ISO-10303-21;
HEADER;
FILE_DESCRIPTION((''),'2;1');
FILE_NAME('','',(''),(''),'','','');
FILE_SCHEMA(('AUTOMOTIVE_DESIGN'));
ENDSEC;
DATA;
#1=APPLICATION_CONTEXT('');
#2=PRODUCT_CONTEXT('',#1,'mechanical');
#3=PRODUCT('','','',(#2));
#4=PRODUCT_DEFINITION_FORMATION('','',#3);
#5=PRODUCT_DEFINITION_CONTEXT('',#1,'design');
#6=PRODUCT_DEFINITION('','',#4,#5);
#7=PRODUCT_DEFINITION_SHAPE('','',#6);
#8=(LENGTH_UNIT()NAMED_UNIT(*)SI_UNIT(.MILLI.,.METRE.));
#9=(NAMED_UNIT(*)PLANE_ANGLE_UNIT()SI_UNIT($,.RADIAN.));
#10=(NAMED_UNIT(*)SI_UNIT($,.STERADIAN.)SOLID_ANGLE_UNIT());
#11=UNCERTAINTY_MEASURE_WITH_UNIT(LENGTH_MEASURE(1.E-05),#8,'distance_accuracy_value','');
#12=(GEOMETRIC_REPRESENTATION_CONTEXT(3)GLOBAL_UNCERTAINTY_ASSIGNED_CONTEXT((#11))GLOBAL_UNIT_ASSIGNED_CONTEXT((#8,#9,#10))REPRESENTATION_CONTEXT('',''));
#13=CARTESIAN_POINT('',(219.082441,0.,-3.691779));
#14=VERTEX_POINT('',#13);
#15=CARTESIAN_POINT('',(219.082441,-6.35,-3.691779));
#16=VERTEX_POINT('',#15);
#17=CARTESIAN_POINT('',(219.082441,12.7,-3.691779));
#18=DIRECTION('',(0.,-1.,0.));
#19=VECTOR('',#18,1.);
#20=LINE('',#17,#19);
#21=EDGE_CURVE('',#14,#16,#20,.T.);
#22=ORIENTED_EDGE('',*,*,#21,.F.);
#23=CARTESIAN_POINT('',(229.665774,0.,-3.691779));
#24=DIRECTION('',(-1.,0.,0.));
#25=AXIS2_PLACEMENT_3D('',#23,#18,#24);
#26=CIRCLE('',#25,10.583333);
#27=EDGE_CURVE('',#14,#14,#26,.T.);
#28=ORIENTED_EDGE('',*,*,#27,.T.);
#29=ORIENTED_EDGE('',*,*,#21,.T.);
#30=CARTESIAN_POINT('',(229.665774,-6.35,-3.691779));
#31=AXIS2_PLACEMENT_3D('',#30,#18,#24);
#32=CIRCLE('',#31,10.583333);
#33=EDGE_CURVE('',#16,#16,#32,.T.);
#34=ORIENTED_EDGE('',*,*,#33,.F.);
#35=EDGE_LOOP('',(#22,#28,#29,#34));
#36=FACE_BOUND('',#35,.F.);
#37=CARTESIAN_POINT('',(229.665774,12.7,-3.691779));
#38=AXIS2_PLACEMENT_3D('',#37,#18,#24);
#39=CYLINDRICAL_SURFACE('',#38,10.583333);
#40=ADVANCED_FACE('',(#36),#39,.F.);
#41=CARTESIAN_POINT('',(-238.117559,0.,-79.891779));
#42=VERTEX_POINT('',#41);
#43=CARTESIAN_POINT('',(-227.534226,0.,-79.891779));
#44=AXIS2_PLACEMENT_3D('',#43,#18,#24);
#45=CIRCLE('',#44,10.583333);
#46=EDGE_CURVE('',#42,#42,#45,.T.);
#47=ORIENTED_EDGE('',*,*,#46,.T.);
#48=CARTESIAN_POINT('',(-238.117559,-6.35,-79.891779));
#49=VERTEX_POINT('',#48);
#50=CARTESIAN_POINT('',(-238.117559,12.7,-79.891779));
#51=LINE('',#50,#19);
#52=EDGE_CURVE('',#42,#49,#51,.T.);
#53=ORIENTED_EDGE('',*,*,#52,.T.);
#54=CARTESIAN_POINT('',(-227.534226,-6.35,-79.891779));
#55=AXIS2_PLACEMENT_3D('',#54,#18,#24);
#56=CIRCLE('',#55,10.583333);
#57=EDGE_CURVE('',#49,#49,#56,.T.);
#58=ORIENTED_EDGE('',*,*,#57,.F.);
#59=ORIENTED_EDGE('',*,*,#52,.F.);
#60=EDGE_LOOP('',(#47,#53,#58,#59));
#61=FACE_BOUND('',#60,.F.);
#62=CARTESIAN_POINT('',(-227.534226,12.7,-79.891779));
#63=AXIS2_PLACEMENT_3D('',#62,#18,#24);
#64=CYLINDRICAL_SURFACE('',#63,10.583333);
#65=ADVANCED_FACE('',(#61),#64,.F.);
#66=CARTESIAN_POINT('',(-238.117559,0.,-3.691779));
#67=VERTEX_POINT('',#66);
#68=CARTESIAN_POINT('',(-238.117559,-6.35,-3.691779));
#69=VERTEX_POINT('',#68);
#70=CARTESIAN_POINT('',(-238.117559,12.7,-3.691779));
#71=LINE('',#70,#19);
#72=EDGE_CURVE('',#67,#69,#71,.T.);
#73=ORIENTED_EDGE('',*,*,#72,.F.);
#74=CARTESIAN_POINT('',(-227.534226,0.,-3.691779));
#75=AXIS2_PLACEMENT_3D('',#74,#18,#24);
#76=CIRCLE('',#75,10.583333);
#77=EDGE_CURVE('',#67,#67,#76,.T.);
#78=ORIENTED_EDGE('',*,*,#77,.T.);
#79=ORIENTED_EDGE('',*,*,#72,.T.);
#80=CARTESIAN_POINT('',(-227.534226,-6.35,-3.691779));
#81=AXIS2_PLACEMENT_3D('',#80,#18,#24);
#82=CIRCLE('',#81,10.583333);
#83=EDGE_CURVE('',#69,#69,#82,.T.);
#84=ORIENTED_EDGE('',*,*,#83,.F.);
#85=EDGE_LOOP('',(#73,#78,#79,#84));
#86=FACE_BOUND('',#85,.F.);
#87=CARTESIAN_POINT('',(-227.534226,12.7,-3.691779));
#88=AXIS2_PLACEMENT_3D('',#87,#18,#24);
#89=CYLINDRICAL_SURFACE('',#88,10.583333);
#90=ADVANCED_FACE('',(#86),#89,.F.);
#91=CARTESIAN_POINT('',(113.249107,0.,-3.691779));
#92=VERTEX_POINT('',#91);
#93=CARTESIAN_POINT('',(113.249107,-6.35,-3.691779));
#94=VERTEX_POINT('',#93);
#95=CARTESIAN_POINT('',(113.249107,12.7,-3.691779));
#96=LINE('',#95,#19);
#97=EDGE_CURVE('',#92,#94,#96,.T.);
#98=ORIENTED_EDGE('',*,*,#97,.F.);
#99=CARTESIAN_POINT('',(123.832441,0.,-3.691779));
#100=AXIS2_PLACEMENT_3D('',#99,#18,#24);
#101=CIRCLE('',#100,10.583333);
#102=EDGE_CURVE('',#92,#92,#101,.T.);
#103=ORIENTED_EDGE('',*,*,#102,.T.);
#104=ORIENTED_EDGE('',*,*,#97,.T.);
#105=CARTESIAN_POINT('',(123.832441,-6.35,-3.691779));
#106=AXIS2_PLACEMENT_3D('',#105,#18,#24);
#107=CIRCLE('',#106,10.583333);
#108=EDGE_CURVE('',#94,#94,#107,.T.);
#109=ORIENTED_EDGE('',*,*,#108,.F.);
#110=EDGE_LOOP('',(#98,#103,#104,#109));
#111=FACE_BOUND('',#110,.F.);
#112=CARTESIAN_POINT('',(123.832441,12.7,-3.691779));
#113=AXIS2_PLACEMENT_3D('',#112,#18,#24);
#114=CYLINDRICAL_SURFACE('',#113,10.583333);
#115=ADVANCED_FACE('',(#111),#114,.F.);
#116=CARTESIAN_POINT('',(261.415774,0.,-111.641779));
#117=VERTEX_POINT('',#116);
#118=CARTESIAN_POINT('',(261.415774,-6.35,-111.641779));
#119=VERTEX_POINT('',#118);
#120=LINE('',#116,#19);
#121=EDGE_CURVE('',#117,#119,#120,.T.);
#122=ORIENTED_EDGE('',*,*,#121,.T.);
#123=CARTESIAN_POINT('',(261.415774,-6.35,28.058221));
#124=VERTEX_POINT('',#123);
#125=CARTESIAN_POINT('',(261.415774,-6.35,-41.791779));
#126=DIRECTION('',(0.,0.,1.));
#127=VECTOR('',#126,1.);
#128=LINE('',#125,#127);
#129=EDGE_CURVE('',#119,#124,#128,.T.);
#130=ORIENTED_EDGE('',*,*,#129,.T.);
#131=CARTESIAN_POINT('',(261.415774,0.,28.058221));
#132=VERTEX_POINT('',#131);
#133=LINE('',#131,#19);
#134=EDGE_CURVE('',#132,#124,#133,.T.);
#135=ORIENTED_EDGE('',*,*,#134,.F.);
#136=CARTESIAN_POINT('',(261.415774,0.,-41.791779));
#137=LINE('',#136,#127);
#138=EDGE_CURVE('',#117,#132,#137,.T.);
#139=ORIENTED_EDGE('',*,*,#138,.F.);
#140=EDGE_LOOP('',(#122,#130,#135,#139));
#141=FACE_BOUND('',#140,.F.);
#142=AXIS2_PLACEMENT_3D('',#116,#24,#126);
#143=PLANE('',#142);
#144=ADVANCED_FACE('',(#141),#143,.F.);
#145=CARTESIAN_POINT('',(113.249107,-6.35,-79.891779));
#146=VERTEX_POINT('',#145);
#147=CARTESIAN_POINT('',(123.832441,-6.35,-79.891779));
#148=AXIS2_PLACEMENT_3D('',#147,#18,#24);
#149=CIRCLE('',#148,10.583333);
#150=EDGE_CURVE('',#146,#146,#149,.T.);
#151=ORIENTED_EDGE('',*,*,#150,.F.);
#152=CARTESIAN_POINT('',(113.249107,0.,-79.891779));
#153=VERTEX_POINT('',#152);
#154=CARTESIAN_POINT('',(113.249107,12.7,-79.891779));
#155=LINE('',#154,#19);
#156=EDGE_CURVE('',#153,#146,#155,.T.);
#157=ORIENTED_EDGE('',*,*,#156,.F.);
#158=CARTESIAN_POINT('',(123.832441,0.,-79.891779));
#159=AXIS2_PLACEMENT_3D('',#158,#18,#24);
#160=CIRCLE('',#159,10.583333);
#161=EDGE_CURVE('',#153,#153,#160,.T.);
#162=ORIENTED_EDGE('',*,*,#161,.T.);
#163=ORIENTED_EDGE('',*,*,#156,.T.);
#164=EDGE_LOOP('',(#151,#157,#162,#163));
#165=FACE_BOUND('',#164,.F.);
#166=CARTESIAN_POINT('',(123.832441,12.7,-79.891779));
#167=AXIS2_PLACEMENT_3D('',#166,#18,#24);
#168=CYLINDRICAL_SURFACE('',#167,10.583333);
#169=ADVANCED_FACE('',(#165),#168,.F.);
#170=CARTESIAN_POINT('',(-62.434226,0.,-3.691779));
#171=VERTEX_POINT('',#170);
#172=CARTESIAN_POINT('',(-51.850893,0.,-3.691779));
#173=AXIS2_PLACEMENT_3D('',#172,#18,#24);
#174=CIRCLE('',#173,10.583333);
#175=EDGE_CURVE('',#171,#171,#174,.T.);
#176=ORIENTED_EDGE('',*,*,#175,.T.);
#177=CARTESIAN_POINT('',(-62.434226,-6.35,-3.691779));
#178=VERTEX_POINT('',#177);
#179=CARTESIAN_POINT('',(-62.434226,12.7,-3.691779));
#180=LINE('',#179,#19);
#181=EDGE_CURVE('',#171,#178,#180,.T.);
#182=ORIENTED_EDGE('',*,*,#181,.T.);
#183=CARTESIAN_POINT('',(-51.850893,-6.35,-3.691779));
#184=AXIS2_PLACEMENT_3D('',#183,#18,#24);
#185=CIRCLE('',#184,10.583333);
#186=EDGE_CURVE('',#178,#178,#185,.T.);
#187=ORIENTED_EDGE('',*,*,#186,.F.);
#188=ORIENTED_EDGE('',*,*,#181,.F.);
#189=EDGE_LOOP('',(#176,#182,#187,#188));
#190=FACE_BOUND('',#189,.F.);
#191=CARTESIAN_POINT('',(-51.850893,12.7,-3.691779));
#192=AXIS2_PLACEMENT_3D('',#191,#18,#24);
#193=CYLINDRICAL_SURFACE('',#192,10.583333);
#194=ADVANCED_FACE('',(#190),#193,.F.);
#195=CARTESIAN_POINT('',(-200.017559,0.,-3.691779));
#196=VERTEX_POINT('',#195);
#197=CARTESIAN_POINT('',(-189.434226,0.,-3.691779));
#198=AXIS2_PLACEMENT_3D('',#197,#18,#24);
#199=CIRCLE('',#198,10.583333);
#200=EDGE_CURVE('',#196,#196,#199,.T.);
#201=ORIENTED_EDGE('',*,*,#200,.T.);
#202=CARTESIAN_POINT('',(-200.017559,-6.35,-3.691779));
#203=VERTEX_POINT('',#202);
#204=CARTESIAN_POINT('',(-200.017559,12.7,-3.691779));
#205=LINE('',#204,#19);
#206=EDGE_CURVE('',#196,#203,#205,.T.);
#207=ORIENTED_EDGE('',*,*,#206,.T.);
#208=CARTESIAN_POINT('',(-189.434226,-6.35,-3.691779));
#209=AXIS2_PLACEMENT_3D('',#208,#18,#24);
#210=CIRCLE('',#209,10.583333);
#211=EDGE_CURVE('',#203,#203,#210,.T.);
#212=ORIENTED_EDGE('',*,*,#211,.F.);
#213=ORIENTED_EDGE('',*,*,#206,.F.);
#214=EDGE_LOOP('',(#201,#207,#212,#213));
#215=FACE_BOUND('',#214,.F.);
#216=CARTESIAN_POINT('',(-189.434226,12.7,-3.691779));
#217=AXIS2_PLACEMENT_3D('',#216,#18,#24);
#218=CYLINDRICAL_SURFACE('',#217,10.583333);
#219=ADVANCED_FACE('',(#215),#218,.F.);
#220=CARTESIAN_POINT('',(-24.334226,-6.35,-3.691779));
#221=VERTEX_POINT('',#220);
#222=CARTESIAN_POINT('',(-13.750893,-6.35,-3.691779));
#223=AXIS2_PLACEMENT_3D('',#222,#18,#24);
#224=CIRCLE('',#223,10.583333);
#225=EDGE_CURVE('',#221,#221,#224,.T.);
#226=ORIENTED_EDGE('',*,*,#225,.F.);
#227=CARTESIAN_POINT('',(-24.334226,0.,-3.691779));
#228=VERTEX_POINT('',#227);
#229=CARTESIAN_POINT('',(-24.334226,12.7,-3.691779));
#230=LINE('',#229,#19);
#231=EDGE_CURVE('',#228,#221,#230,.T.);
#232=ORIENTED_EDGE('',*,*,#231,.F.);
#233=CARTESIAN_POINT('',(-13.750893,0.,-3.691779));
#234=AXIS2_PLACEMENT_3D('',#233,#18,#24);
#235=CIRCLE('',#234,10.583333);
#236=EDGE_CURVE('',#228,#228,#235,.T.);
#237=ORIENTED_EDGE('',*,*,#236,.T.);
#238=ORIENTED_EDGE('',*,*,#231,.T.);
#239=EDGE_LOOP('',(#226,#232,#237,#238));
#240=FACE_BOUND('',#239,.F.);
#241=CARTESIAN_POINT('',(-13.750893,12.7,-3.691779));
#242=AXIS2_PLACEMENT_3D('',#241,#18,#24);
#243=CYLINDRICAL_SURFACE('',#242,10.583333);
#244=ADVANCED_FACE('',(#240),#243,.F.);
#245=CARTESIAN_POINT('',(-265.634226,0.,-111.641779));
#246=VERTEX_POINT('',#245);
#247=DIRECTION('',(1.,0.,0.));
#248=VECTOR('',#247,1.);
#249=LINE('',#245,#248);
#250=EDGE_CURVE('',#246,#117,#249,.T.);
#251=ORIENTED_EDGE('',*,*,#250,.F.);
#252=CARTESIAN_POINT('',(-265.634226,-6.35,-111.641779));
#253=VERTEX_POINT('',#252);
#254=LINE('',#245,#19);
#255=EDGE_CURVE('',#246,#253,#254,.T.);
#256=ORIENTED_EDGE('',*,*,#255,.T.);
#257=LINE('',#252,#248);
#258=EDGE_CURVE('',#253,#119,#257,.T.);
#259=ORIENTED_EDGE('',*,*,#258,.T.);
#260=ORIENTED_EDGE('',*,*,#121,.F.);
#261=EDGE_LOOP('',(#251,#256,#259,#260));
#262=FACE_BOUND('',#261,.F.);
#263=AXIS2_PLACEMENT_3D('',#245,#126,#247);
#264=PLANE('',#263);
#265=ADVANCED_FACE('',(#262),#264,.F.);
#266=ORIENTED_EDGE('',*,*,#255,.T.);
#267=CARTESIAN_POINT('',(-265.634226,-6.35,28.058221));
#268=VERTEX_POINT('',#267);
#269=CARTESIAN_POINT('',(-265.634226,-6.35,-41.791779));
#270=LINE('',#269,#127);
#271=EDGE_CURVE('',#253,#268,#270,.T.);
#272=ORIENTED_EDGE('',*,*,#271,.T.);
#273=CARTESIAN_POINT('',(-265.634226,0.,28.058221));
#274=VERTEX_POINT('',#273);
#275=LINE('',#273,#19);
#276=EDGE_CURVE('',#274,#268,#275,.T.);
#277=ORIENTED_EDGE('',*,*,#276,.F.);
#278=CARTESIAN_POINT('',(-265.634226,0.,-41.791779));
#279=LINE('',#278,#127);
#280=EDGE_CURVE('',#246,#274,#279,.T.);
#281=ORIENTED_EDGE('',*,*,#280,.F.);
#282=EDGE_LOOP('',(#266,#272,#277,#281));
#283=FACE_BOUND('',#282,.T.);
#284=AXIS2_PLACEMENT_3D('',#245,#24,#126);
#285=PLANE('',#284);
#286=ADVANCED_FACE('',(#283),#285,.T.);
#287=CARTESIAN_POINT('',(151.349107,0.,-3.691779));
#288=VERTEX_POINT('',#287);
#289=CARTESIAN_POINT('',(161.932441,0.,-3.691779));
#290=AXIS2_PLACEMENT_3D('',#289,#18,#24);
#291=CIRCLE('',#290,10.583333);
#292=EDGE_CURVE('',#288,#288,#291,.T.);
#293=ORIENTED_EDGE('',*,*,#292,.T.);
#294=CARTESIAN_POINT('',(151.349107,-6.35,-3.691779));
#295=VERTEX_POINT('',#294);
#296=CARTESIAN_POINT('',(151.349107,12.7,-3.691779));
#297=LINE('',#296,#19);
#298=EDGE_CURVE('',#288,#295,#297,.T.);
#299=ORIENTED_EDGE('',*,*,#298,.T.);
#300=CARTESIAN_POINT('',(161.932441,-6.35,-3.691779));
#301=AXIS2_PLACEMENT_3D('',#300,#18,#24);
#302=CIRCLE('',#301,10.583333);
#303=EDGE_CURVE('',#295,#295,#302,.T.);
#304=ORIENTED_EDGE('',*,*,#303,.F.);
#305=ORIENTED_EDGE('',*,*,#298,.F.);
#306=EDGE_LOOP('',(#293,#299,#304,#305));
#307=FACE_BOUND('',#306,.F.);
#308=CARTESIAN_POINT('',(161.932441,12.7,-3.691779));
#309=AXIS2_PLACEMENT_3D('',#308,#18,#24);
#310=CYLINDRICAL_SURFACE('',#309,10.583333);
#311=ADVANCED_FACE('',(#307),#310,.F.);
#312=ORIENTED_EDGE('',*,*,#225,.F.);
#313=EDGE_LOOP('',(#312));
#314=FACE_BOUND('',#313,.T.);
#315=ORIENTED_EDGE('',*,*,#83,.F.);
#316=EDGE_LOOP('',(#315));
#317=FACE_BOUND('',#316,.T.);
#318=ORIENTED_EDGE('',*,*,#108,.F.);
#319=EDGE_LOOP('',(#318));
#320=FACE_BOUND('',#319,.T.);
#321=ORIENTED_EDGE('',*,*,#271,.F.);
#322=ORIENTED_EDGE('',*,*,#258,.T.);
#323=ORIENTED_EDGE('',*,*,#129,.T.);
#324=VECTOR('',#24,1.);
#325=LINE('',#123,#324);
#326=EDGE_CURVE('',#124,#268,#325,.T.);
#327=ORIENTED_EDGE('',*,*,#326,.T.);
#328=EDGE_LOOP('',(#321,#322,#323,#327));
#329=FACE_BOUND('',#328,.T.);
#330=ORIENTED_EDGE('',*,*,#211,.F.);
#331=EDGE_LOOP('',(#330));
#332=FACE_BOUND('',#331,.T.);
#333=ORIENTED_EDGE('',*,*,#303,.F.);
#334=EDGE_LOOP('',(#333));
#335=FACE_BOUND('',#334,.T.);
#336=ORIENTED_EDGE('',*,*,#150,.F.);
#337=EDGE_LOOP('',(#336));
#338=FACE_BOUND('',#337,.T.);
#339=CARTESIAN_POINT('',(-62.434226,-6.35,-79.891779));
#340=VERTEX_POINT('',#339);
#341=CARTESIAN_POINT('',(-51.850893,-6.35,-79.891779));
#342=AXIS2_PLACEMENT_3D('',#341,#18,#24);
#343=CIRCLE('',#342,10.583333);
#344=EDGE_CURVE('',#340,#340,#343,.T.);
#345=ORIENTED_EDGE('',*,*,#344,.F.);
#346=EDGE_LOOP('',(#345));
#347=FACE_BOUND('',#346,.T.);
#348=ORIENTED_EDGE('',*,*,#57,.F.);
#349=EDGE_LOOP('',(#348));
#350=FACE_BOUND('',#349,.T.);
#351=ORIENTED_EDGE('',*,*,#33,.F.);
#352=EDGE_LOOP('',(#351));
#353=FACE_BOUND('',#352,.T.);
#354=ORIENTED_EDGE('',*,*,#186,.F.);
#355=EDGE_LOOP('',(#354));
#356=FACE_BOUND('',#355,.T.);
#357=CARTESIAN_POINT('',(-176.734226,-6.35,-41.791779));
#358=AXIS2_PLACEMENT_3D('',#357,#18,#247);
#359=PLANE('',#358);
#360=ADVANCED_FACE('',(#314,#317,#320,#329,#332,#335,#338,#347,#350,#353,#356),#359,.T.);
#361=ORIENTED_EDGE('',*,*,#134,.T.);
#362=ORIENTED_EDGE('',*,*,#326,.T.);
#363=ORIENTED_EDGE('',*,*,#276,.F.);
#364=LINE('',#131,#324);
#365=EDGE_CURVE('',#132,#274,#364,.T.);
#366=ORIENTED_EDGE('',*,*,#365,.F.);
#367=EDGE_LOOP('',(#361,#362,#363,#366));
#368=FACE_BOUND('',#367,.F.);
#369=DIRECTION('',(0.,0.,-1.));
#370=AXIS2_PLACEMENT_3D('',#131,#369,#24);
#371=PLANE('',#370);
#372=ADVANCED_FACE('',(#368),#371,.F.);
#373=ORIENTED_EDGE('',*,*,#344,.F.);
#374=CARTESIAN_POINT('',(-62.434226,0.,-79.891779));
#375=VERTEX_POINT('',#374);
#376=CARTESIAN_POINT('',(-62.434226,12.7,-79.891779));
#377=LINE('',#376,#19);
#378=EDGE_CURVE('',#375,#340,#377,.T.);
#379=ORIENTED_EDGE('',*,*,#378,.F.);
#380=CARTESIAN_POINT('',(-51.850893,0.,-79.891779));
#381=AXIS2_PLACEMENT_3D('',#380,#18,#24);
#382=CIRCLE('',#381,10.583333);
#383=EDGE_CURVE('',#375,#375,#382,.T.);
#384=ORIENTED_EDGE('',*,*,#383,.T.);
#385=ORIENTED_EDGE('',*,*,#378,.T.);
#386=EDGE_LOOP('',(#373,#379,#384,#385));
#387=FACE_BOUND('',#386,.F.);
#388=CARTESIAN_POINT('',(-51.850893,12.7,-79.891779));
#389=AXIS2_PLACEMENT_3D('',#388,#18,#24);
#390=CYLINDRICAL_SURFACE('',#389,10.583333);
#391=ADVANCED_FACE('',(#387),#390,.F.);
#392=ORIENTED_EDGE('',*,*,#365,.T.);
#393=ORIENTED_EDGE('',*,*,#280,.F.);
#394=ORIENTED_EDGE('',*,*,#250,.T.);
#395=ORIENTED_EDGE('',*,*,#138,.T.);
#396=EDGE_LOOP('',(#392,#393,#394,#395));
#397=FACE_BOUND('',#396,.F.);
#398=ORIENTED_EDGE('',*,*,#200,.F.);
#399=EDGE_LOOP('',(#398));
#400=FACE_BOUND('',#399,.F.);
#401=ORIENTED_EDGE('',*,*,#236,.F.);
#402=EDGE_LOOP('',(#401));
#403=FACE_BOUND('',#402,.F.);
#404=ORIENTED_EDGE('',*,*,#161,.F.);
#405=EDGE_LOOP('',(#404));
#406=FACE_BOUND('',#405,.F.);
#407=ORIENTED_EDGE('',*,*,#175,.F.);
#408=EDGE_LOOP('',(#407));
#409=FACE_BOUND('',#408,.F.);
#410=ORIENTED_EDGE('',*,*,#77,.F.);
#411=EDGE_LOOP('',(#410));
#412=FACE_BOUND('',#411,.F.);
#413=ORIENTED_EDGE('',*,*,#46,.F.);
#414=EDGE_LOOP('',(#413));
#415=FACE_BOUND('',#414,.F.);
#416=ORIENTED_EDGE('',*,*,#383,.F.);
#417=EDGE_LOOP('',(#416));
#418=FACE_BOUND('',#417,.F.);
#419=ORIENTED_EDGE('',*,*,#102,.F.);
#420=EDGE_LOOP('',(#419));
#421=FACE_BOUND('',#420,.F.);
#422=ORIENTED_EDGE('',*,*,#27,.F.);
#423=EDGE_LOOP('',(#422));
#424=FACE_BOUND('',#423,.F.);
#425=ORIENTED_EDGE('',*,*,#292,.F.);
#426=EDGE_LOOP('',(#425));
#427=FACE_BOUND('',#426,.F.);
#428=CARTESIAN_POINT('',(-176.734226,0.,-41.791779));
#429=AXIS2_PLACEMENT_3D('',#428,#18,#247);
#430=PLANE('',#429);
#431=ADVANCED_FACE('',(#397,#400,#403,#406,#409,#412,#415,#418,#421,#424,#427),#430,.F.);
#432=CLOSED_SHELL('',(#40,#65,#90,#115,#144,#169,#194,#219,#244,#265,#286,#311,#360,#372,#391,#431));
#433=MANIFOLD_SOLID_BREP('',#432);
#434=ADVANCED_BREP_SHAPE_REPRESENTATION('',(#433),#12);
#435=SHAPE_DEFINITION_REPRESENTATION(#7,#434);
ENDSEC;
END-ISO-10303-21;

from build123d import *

# Parameters (mm, degrees)
F0_W     = 177.8
F0_H     = 139.7
F0_W_2   = 171.45
F2_DEPTH = 6.35
F3_D     = 21.1666666667
F3_DEPTH = 12.7
F3_TIP   = 6.359108218


with BuildPart() as f2:
    # F0 (on Front) → F2 (new body)
    with BuildSketch(Plane.XZ):
        with Locations((-176.7342258394, -41.7917792348)):
            Rectangle(F0_W, F0_H)
        with Locations((1.0657741606, -41.7917792348)):
            Rectangle(F0_W, F0_H)
        with Locations((175.6907741606, -41.7917792348)):
            Rectangle(F0_W_2, F0_H)
    extrude(amount=F2_DEPTH)

    # F3
    with Locations(Plane(origin=(0, 0, 0), x_dir=(1, 0, 0), z_dir=(0, 1, 0))):
        with Locations((-227.5342258394, 3.6917792348), (-189.4342258394, 3.6917792348), (-227.5342258394, 79.8917792348), (-51.850892506, 3.6917792348), (-13.750892506, 3.6917792348), (-51.850892506, 79.8917792348), (123.8324408273, 3.6917792348), (161.9324408273, 3.6917792348), (123.8324408273, 79.8917792348), (229.6657741606, 3.6917792348)):
            Hole(F3_D / 2, depth=F3_DEPTH)
            with Locations((0, 0, -(F3_DEPTH + F3_TIP / 2))):  # 118° drill point
                Cone(0, F3_D / 2, F3_TIP, mode=Mode.SUBTRACT)


solid = f2.part
